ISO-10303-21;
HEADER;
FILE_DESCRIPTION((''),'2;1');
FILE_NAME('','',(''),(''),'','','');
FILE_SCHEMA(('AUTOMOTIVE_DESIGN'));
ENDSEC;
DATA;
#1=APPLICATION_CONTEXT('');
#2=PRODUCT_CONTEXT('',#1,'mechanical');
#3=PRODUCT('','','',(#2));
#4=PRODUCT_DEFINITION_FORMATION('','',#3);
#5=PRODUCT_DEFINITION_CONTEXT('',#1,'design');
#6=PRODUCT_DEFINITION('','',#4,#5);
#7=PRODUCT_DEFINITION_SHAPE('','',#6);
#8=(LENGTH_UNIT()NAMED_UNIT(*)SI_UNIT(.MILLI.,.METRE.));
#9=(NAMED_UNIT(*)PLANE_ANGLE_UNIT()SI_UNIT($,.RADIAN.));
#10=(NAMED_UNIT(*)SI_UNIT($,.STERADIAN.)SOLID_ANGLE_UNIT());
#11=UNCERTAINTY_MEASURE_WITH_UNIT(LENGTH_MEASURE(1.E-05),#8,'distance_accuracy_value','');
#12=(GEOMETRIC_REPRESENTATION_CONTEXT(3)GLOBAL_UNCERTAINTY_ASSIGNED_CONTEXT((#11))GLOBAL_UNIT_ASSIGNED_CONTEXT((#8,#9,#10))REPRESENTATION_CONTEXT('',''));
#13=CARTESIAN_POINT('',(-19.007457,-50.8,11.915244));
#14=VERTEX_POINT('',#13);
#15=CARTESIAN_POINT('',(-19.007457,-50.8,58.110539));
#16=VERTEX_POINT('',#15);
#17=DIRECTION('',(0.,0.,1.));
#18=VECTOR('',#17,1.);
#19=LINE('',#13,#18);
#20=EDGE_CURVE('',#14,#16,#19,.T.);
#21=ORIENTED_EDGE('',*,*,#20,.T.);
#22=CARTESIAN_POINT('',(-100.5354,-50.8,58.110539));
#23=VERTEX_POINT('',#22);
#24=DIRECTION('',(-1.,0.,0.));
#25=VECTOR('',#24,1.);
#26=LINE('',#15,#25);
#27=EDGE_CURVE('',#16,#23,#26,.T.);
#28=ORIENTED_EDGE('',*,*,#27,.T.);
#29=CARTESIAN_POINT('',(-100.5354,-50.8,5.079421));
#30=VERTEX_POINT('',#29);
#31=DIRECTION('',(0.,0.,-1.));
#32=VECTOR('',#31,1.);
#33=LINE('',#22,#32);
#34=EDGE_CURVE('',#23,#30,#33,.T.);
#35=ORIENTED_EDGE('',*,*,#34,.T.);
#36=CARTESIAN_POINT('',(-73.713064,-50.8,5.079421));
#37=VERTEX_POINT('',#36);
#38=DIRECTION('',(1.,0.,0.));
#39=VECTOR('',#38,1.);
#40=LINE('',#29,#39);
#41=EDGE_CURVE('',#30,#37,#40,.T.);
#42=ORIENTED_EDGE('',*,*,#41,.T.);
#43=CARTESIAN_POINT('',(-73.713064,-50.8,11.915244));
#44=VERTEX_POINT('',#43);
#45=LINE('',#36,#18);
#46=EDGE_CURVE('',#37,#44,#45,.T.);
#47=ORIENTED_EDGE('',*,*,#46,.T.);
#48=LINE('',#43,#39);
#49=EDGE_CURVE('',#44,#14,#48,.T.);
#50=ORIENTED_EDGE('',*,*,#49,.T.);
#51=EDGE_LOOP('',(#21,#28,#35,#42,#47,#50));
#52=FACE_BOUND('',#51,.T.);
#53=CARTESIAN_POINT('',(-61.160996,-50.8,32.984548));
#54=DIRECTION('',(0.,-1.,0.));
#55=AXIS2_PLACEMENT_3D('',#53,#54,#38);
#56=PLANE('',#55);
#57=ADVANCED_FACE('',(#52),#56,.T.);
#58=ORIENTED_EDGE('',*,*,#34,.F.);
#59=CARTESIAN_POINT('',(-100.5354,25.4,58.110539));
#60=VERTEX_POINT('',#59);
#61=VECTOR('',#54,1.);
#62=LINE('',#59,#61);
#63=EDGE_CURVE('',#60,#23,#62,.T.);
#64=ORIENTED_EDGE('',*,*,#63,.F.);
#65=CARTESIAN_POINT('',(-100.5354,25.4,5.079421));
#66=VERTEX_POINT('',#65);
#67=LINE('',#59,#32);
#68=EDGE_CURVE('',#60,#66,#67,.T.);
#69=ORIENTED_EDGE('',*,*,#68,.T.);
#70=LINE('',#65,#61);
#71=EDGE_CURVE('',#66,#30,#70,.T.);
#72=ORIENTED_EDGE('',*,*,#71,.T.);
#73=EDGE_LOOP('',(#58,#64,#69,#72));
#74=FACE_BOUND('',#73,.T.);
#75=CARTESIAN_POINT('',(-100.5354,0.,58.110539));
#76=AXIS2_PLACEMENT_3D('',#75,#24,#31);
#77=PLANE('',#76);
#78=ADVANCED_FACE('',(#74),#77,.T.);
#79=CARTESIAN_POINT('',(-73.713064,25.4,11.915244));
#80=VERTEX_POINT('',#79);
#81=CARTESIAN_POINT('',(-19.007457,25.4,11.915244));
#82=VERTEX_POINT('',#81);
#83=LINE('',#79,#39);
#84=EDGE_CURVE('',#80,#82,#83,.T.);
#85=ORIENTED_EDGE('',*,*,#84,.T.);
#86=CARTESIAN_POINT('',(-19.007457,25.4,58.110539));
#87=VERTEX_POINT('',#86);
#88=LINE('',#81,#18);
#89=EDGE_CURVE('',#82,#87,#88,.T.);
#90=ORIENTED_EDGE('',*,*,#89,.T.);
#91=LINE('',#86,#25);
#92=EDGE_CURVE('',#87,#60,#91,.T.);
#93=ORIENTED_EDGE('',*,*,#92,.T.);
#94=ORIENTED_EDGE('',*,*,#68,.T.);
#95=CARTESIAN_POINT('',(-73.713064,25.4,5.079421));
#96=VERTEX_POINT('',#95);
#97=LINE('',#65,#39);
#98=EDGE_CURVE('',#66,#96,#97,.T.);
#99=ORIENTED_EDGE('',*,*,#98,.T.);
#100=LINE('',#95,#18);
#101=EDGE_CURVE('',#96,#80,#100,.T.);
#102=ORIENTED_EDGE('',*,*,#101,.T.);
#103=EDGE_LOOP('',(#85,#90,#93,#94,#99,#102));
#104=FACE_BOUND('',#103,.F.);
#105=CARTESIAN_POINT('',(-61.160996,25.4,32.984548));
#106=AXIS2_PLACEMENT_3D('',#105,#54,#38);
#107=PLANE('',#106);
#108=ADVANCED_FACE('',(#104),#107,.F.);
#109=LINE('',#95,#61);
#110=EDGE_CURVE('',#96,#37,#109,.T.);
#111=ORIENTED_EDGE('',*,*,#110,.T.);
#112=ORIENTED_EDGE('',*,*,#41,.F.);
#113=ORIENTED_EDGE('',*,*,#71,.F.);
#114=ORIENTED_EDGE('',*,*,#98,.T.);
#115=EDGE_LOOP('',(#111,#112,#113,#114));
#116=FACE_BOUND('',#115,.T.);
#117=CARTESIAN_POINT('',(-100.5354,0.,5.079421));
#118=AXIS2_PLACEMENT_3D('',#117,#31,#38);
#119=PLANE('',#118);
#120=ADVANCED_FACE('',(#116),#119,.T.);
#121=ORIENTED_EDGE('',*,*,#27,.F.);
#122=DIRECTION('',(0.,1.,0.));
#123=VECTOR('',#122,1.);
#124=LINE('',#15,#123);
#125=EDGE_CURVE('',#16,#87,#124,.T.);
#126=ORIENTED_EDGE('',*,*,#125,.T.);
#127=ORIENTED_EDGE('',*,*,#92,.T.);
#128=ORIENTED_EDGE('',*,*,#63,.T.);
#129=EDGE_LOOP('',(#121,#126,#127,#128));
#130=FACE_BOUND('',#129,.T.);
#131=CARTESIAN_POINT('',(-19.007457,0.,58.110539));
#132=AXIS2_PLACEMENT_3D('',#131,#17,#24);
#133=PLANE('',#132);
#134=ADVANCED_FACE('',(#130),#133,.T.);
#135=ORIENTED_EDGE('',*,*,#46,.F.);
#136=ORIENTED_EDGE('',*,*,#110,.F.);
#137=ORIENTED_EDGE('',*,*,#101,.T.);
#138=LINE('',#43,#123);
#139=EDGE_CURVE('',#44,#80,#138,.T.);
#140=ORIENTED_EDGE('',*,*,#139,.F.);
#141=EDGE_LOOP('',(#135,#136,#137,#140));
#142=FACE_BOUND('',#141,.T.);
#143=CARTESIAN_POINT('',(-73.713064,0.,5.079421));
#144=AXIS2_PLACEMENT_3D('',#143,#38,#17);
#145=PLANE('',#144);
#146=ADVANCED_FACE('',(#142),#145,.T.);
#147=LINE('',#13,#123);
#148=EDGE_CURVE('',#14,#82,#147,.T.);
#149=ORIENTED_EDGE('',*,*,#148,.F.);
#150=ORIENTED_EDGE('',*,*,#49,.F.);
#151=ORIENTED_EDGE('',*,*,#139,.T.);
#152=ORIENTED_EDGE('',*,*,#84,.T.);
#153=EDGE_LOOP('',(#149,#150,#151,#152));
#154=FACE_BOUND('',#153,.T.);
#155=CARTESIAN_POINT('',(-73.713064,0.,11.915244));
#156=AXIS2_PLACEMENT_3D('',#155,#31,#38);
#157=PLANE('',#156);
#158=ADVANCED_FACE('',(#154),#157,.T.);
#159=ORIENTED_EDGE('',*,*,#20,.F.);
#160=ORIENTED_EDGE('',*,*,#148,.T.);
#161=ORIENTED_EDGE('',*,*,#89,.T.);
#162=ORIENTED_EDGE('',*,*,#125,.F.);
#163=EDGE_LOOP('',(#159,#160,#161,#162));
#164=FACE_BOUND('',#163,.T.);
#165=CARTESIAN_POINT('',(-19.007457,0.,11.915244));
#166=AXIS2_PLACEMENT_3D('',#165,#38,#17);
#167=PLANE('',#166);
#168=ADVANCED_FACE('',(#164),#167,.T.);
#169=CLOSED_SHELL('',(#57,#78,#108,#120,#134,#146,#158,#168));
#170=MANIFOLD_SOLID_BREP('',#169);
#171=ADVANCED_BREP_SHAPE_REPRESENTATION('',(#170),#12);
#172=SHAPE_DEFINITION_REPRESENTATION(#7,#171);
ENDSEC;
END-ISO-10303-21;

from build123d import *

# Parameters (mm, degrees)
F1_DEPTH      = 50.8
F1_DEPTH_BACK = 25.4


with BuildPart() as f1:
    # F0 (on Front) → F1 (new body, two sides)
    with BuildSketch(Plane.XZ) as f1_sk:
        Polygon((-19.007457, 58.110539), (-100.5354, 58.110539), (-100.5354, 5.079421), (-73.713064, 5.079421), (-73.713064, 11.915244), (-19.007457, 11.915244), align=None)
    extrude(amount=F1_DEPTH)
    extrude(f1_sk.sketch, amount=-F1_DEPTH_BACK)


solid = f1.part
